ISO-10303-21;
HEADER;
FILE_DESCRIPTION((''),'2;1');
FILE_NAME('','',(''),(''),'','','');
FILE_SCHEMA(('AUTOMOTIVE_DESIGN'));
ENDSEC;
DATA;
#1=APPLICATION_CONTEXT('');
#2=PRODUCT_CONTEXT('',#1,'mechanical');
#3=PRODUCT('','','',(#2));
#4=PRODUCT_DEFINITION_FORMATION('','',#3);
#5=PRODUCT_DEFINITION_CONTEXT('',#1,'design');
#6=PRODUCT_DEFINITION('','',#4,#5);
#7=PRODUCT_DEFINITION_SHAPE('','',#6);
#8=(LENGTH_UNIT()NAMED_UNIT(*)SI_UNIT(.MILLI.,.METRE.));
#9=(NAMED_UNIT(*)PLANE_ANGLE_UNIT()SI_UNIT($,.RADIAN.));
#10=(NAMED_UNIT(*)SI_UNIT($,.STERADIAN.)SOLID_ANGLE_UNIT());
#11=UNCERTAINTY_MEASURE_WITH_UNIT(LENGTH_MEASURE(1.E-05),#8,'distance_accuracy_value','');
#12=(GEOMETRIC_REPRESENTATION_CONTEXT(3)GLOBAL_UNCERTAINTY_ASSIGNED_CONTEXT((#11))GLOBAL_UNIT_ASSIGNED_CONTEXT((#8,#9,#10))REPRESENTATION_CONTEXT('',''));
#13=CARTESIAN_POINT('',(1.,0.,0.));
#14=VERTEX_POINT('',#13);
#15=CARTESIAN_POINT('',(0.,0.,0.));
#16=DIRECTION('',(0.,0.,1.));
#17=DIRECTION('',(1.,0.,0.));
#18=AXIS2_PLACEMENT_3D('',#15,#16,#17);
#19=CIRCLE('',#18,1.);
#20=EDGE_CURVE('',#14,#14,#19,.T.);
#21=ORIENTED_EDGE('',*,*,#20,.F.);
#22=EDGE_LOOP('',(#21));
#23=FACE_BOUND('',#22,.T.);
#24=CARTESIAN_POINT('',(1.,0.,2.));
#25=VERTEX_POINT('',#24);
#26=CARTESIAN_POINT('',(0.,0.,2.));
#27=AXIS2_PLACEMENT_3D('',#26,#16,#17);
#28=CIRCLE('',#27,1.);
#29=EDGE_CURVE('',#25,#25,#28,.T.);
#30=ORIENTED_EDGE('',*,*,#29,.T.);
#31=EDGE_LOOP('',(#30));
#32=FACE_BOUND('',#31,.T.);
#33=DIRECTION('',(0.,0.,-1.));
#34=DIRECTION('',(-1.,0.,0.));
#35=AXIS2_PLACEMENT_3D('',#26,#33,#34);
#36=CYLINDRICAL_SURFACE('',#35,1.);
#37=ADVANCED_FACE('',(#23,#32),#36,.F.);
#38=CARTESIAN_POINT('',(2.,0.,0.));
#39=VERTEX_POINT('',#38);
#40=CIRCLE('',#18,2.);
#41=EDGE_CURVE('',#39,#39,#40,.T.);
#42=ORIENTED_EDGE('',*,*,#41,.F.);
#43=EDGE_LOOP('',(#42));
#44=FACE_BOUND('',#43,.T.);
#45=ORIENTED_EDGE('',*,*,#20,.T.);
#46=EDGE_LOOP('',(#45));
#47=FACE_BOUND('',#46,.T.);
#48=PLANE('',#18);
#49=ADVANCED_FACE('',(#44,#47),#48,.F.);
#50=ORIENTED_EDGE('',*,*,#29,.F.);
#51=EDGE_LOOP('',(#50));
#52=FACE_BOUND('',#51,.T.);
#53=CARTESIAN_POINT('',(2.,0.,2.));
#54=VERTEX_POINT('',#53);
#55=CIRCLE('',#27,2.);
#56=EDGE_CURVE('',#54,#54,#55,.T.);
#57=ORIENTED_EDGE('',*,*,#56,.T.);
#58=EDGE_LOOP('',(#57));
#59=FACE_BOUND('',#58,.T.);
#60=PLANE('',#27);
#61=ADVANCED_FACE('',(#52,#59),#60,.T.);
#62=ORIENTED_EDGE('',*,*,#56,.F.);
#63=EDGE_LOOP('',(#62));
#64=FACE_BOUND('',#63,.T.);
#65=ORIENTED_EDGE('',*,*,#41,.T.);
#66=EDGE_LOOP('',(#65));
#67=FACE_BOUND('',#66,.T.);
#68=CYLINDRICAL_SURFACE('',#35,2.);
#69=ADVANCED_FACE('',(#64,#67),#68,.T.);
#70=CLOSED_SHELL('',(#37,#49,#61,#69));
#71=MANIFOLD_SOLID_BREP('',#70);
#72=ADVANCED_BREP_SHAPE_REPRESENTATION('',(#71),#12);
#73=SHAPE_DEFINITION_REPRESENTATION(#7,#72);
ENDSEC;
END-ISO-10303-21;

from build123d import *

# Parameters (mm, degrees)
ESQUISSE1_R        = 2
ESQUISSE1_R_2      = 1
BOSS_EXTRU_1_DEPTH = 2


with BuildPart() as part:
    # Esquisse1 → Boss.-Extru.1 (new body)
    with BuildSketch(Plane.XY):
        Circle(ESQUISSE1_R)
        Circle(ESQUISSE1_R_2, mode=Mode.SUBTRACT)
    extrude(amount=BOSS_EXTRU_1_DEPTH)


solid = part.part
